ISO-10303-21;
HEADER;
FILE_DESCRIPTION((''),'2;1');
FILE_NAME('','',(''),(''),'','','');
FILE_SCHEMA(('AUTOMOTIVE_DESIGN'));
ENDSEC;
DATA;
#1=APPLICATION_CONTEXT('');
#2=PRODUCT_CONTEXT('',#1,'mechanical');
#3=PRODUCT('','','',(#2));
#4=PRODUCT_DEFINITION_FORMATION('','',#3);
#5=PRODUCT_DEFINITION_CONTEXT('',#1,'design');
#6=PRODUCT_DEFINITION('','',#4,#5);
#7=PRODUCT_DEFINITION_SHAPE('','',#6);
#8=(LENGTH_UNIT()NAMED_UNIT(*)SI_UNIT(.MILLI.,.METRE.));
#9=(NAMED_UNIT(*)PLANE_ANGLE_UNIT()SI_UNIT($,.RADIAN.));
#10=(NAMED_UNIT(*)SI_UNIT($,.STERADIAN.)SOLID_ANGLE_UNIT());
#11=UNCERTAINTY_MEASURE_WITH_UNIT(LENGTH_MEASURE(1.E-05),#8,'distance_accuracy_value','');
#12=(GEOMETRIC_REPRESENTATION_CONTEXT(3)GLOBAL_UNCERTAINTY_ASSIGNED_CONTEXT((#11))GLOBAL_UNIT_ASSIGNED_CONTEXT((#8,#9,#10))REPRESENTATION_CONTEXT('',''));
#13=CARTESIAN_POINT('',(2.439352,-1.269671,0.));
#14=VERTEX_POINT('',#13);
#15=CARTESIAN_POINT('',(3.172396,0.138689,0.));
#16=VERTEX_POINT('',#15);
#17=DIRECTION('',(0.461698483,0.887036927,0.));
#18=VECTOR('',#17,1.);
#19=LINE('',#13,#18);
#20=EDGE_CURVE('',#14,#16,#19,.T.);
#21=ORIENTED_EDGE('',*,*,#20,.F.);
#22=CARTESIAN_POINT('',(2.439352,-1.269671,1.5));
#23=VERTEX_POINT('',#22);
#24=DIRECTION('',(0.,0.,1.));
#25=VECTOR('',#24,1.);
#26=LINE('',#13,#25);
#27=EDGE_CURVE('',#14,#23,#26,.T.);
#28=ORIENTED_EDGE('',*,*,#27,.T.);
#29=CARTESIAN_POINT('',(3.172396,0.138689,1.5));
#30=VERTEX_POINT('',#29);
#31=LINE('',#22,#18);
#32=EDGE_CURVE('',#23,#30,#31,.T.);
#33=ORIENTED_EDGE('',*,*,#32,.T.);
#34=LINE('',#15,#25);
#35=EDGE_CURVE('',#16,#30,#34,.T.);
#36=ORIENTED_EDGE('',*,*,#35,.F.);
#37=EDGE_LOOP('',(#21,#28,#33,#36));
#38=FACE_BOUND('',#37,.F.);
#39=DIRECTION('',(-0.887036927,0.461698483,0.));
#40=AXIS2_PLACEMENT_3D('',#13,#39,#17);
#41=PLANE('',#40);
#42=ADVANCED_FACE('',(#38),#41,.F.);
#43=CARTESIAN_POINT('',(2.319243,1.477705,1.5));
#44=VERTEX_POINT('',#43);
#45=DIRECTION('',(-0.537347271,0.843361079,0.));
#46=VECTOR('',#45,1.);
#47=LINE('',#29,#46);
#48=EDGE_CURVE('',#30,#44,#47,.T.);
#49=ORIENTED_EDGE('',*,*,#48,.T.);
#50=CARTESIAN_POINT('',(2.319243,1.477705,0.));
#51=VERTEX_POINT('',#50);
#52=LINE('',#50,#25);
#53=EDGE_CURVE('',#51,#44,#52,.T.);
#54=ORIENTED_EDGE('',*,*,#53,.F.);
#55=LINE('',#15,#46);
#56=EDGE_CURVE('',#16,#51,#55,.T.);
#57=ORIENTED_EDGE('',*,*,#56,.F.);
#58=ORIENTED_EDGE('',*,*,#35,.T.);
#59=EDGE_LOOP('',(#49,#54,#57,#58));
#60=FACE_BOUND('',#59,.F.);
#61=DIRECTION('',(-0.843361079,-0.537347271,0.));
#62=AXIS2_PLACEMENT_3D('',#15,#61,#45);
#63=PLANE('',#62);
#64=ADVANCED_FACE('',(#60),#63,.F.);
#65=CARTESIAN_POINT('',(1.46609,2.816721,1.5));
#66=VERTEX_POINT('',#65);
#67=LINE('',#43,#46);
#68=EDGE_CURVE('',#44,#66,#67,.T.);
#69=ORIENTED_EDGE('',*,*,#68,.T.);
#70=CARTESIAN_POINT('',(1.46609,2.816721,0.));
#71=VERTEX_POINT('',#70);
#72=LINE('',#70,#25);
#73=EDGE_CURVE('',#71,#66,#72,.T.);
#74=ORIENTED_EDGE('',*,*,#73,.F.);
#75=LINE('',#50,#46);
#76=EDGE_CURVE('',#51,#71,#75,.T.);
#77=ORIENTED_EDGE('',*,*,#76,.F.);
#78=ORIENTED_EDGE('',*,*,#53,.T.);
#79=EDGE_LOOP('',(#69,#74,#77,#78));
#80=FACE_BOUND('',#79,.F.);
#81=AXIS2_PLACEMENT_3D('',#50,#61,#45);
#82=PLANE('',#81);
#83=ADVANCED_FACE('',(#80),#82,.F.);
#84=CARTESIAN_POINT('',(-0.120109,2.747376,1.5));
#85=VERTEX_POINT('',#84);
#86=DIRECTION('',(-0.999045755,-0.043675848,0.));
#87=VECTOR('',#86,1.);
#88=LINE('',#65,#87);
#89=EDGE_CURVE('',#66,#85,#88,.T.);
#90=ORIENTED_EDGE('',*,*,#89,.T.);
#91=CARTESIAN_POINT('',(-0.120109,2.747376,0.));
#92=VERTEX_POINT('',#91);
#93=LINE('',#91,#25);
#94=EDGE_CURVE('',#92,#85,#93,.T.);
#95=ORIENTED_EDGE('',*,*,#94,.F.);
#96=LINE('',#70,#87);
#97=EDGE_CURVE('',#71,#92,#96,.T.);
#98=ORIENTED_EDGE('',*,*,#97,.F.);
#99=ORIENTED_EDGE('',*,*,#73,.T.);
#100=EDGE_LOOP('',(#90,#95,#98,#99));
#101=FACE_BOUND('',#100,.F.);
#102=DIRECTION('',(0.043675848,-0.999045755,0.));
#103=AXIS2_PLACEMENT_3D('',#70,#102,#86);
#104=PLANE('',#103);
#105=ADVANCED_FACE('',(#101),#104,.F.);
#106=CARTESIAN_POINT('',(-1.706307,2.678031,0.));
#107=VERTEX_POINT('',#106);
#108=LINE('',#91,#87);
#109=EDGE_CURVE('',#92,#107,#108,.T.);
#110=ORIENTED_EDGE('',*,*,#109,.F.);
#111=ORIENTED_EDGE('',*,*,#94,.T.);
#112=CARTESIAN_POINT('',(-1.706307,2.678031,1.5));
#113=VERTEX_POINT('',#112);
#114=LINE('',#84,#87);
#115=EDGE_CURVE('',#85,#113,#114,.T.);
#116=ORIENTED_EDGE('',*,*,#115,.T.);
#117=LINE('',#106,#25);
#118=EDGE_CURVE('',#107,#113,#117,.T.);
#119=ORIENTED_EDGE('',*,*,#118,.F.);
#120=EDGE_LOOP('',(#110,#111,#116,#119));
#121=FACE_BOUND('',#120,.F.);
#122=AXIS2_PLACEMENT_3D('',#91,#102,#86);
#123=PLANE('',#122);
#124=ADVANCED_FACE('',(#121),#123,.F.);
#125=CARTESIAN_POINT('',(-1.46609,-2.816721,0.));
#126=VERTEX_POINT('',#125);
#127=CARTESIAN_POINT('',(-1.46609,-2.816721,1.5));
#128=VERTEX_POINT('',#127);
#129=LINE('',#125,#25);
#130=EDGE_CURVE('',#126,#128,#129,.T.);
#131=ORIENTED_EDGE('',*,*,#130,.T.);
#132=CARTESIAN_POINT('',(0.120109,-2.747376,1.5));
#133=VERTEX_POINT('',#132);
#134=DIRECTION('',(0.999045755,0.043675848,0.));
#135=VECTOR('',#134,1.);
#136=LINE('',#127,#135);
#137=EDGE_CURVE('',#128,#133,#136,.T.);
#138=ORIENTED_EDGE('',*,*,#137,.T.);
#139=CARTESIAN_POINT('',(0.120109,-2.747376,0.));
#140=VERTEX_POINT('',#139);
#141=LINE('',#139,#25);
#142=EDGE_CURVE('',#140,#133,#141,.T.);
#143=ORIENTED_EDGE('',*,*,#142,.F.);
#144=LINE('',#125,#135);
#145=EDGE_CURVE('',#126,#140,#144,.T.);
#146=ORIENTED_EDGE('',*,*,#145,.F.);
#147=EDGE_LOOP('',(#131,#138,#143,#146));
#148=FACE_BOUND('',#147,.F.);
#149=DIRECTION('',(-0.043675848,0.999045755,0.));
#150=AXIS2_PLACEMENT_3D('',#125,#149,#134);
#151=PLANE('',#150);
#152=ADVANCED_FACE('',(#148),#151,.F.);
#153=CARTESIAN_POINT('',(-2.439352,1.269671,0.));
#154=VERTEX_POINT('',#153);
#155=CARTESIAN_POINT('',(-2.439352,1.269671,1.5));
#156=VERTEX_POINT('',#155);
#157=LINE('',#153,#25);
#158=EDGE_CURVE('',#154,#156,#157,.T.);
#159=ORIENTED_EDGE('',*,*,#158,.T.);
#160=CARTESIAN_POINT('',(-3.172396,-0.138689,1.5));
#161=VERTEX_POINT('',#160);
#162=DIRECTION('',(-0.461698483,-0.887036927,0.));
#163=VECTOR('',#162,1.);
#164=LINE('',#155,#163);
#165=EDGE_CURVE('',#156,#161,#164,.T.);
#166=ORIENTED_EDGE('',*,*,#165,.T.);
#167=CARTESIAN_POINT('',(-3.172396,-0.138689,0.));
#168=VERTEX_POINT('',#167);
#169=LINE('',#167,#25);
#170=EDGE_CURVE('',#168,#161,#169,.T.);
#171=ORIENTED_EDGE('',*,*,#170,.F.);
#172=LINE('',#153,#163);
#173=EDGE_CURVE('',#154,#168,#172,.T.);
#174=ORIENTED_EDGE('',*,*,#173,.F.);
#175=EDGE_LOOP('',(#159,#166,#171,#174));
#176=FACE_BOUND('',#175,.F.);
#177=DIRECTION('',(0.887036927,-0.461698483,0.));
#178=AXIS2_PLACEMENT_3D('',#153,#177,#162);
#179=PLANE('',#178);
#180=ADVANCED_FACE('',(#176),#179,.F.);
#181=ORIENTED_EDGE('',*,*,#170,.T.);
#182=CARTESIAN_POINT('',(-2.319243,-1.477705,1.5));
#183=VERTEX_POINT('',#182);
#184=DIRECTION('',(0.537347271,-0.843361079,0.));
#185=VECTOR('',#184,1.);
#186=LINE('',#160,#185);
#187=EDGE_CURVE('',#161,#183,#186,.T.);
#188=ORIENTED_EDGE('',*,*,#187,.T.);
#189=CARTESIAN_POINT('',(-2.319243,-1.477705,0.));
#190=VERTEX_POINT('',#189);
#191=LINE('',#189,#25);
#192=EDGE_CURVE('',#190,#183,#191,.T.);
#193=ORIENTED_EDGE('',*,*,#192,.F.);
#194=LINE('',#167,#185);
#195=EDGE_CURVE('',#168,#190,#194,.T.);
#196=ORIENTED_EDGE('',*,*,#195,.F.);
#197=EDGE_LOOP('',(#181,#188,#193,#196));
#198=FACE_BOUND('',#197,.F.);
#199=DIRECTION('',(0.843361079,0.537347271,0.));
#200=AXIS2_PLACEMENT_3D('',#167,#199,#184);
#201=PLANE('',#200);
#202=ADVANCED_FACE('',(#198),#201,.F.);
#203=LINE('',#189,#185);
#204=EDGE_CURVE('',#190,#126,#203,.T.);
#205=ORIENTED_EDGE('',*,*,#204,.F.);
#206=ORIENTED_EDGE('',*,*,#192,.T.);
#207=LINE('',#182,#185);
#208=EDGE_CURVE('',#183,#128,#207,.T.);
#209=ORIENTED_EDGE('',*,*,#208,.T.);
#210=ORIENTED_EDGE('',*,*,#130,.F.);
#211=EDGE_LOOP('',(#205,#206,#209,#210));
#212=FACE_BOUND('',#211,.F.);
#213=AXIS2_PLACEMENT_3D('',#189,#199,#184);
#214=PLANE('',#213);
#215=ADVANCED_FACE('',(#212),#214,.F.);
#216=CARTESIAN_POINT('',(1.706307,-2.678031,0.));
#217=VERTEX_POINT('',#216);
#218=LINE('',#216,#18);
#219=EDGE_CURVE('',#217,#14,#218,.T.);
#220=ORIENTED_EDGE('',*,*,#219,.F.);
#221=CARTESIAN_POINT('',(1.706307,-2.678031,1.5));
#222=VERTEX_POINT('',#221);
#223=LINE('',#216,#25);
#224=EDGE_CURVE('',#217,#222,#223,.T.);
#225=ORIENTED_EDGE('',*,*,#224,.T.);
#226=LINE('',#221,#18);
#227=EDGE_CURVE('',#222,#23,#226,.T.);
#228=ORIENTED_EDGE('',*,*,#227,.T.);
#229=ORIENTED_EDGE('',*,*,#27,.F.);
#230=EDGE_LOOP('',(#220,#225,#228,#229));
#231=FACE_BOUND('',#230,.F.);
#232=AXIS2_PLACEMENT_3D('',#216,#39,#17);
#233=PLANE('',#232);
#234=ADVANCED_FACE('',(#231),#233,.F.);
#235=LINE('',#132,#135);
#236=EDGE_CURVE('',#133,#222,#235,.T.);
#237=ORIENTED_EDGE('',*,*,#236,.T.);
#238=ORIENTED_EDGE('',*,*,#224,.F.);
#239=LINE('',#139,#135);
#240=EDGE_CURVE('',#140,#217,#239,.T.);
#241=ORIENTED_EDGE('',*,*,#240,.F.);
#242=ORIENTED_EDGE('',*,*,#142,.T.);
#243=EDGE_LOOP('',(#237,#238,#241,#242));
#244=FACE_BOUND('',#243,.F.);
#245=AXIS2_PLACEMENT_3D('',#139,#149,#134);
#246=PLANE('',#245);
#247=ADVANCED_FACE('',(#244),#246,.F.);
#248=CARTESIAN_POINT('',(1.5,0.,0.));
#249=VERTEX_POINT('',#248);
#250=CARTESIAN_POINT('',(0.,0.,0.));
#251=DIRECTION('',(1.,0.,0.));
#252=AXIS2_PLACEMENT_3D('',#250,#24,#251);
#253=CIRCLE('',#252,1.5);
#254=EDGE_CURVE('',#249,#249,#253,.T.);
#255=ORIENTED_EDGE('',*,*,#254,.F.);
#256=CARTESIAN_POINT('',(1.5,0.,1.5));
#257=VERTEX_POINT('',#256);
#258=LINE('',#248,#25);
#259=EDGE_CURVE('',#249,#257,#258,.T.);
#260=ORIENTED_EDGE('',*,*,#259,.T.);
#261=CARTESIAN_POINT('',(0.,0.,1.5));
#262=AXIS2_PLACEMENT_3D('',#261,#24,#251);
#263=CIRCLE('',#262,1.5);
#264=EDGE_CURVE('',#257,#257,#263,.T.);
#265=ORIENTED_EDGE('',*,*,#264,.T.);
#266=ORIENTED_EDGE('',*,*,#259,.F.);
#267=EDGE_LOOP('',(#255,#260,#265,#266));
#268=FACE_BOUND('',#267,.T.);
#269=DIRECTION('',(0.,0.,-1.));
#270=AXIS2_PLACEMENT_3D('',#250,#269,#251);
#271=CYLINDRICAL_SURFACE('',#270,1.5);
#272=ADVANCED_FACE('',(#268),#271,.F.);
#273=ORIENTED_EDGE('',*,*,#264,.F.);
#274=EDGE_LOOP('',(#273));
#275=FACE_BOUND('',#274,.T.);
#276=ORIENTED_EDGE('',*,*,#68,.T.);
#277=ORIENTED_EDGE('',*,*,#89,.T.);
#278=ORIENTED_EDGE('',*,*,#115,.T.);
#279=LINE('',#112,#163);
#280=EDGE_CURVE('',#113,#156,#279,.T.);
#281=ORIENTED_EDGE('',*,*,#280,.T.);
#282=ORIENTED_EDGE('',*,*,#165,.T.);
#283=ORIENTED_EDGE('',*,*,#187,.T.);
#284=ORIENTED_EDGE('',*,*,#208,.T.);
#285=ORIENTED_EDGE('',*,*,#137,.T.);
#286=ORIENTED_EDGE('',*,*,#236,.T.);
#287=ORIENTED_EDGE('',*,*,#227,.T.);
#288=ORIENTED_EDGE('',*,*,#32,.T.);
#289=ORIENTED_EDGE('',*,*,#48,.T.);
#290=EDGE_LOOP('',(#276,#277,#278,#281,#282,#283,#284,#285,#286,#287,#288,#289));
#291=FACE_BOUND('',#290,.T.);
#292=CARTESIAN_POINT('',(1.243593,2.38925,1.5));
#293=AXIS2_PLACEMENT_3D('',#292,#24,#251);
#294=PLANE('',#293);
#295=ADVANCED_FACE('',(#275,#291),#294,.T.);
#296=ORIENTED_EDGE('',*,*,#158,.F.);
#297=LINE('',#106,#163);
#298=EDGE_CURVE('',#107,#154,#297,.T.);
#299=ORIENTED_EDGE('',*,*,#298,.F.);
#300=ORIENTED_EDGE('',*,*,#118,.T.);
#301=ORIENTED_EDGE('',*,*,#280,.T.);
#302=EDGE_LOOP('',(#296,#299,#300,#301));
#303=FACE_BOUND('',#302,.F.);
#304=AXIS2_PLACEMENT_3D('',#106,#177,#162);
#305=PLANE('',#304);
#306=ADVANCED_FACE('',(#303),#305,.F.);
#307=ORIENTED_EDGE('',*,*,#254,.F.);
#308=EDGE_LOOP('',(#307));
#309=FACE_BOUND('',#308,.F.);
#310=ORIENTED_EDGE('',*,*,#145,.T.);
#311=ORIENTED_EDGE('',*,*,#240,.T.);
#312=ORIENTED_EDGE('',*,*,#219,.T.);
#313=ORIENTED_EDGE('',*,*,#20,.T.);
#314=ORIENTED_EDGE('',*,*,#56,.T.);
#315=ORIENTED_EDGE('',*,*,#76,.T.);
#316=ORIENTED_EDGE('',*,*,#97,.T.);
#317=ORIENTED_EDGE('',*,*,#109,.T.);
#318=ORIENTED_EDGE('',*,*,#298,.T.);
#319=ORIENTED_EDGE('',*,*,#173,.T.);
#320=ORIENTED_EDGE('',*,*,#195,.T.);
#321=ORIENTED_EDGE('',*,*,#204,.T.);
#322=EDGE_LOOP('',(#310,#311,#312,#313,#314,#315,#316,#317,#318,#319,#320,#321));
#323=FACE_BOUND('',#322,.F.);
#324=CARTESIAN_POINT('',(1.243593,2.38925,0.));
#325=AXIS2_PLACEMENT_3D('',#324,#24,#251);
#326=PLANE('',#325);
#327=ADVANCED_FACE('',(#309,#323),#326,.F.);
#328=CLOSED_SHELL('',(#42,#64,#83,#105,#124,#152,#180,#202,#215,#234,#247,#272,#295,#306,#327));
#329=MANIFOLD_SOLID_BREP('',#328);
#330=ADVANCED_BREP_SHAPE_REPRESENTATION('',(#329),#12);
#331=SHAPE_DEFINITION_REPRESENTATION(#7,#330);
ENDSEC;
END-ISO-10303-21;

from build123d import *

# Parameters (mm, degrees)
F0_R     = 1.5
F1_DEPTH = 1.5


with BuildPart() as f1:
    # F0 (on Top) → F1 (new body)
    with BuildSketch(Plane.XY):
        with BuildLine():
            ThreePointArc((-0.1201086231, 2.7473758241), (1.2696708079, 2.4393515613), (2.3192429637, 1.4777050029))
            Line((2.3192429637, 1.4777050029), (1.4660895902, 2.8167205482))
            Line((1.4660895902, 2.8167205482), (-0.1201086231, 2.7473758241))
        make_face()
        with BuildLine():
            Line((1.706306755, -2.6780311034), (2.4393515428, -1.2696708434))
            ThreePointArc((2.4393515428, -1.2696708434), (1.477704987, -2.3192429738), (0.1201085757, -2.7473758261))
            Line((0.1201085757, -2.7473758261), (1.706306755, -2.6780311034))
        make_face()
        with BuildLine():
            ThreePointArc((-2.4393515589, 1.2696708124), (-1.4777050217, 2.3192429516), (-0.1201086231, 2.7473758241))
            Line((-0.1201086231, 2.7473758241), (-1.706306755, 2.6780311034))
            Line((-1.706306755, 2.6780311034), (-2.4393515589, 1.2696708124))
        make_face()
        with BuildLine():
            ThreePointArc((2.3192429637, 1.4777050029), (2.6401153526, 0.7696043951), (2.75, 0))
            ThreePointArc((2.75, 0), (2.671209159, -0.6535607307), (2.4393515428, -1.2696708434))
            Line((2.4393515428, -1.2696708434), (3.1723963452, 0.1386894448))
            Line((3.1723963452, 0.1386894448), (2.3192429637, 1.4777050029))
        make_face()
        with BuildLine():
            Line((-1.4660895902, -2.8167205482), (0.1201085757, -2.7473758261))
            ThreePointArc((0.1201085757, -2.7473758261), (-1.2696708891, -2.439351519), (-2.3192430366, -1.4777048885))
            Line((-2.3192430366, -1.4777048885), (-1.4660895902, -2.8167205482))
        make_face()
        with BuildLine():
            ThreePointArc((-2.3192430366, -1.4777048885), (-2.7473758282, -0.1201085279), (-2.4393515589, 1.2696708124))
            Line((-2.4393515589, 1.2696708124), (-3.1723963452, -0.1386894448))
            Line((-3.1723963452, -0.1386894448), (-2.3192430366, -1.4777048885))
        make_face()
        with BuildLine():
            ThreePointArc((2.4393515428, -1.2696708434), (2.671209159, -0.6535607307), (2.75, 0))
            ThreePointArc((2.75, 0), (2.6401153526, 0.7696043951), (2.3192429637, 1.4777050029))
            ThreePointArc((2.3192429637, 1.4777050029), (1.2696708079, 2.4393515613), (-0.1201086231, 2.7473758241))
            ThreePointArc((-0.1201086231, 2.7473758241), (-1.4777050217, 2.3192429516), (-2.4393515589, 1.2696708124))
            ThreePointArc((-2.4393515589, 1.2696708124), (-2.7473758282, -0.1201085279), (-2.3192430366, -1.4777048885))
            ThreePointArc((-2.3192430366, -1.4777048885), (-1.2696708891, -2.439351519), (0.1201085757, -2.7473758261))
            ThreePointArc((0.1201085757, -2.7473758261), (1.477704987, -2.3192429738), (2.4393515428, -1.2696708434))
        make_face()
        Circle(F0_R, mode=Mode.SUBTRACT)
    extrude(amount=F1_DEPTH)


solid = f1.part
